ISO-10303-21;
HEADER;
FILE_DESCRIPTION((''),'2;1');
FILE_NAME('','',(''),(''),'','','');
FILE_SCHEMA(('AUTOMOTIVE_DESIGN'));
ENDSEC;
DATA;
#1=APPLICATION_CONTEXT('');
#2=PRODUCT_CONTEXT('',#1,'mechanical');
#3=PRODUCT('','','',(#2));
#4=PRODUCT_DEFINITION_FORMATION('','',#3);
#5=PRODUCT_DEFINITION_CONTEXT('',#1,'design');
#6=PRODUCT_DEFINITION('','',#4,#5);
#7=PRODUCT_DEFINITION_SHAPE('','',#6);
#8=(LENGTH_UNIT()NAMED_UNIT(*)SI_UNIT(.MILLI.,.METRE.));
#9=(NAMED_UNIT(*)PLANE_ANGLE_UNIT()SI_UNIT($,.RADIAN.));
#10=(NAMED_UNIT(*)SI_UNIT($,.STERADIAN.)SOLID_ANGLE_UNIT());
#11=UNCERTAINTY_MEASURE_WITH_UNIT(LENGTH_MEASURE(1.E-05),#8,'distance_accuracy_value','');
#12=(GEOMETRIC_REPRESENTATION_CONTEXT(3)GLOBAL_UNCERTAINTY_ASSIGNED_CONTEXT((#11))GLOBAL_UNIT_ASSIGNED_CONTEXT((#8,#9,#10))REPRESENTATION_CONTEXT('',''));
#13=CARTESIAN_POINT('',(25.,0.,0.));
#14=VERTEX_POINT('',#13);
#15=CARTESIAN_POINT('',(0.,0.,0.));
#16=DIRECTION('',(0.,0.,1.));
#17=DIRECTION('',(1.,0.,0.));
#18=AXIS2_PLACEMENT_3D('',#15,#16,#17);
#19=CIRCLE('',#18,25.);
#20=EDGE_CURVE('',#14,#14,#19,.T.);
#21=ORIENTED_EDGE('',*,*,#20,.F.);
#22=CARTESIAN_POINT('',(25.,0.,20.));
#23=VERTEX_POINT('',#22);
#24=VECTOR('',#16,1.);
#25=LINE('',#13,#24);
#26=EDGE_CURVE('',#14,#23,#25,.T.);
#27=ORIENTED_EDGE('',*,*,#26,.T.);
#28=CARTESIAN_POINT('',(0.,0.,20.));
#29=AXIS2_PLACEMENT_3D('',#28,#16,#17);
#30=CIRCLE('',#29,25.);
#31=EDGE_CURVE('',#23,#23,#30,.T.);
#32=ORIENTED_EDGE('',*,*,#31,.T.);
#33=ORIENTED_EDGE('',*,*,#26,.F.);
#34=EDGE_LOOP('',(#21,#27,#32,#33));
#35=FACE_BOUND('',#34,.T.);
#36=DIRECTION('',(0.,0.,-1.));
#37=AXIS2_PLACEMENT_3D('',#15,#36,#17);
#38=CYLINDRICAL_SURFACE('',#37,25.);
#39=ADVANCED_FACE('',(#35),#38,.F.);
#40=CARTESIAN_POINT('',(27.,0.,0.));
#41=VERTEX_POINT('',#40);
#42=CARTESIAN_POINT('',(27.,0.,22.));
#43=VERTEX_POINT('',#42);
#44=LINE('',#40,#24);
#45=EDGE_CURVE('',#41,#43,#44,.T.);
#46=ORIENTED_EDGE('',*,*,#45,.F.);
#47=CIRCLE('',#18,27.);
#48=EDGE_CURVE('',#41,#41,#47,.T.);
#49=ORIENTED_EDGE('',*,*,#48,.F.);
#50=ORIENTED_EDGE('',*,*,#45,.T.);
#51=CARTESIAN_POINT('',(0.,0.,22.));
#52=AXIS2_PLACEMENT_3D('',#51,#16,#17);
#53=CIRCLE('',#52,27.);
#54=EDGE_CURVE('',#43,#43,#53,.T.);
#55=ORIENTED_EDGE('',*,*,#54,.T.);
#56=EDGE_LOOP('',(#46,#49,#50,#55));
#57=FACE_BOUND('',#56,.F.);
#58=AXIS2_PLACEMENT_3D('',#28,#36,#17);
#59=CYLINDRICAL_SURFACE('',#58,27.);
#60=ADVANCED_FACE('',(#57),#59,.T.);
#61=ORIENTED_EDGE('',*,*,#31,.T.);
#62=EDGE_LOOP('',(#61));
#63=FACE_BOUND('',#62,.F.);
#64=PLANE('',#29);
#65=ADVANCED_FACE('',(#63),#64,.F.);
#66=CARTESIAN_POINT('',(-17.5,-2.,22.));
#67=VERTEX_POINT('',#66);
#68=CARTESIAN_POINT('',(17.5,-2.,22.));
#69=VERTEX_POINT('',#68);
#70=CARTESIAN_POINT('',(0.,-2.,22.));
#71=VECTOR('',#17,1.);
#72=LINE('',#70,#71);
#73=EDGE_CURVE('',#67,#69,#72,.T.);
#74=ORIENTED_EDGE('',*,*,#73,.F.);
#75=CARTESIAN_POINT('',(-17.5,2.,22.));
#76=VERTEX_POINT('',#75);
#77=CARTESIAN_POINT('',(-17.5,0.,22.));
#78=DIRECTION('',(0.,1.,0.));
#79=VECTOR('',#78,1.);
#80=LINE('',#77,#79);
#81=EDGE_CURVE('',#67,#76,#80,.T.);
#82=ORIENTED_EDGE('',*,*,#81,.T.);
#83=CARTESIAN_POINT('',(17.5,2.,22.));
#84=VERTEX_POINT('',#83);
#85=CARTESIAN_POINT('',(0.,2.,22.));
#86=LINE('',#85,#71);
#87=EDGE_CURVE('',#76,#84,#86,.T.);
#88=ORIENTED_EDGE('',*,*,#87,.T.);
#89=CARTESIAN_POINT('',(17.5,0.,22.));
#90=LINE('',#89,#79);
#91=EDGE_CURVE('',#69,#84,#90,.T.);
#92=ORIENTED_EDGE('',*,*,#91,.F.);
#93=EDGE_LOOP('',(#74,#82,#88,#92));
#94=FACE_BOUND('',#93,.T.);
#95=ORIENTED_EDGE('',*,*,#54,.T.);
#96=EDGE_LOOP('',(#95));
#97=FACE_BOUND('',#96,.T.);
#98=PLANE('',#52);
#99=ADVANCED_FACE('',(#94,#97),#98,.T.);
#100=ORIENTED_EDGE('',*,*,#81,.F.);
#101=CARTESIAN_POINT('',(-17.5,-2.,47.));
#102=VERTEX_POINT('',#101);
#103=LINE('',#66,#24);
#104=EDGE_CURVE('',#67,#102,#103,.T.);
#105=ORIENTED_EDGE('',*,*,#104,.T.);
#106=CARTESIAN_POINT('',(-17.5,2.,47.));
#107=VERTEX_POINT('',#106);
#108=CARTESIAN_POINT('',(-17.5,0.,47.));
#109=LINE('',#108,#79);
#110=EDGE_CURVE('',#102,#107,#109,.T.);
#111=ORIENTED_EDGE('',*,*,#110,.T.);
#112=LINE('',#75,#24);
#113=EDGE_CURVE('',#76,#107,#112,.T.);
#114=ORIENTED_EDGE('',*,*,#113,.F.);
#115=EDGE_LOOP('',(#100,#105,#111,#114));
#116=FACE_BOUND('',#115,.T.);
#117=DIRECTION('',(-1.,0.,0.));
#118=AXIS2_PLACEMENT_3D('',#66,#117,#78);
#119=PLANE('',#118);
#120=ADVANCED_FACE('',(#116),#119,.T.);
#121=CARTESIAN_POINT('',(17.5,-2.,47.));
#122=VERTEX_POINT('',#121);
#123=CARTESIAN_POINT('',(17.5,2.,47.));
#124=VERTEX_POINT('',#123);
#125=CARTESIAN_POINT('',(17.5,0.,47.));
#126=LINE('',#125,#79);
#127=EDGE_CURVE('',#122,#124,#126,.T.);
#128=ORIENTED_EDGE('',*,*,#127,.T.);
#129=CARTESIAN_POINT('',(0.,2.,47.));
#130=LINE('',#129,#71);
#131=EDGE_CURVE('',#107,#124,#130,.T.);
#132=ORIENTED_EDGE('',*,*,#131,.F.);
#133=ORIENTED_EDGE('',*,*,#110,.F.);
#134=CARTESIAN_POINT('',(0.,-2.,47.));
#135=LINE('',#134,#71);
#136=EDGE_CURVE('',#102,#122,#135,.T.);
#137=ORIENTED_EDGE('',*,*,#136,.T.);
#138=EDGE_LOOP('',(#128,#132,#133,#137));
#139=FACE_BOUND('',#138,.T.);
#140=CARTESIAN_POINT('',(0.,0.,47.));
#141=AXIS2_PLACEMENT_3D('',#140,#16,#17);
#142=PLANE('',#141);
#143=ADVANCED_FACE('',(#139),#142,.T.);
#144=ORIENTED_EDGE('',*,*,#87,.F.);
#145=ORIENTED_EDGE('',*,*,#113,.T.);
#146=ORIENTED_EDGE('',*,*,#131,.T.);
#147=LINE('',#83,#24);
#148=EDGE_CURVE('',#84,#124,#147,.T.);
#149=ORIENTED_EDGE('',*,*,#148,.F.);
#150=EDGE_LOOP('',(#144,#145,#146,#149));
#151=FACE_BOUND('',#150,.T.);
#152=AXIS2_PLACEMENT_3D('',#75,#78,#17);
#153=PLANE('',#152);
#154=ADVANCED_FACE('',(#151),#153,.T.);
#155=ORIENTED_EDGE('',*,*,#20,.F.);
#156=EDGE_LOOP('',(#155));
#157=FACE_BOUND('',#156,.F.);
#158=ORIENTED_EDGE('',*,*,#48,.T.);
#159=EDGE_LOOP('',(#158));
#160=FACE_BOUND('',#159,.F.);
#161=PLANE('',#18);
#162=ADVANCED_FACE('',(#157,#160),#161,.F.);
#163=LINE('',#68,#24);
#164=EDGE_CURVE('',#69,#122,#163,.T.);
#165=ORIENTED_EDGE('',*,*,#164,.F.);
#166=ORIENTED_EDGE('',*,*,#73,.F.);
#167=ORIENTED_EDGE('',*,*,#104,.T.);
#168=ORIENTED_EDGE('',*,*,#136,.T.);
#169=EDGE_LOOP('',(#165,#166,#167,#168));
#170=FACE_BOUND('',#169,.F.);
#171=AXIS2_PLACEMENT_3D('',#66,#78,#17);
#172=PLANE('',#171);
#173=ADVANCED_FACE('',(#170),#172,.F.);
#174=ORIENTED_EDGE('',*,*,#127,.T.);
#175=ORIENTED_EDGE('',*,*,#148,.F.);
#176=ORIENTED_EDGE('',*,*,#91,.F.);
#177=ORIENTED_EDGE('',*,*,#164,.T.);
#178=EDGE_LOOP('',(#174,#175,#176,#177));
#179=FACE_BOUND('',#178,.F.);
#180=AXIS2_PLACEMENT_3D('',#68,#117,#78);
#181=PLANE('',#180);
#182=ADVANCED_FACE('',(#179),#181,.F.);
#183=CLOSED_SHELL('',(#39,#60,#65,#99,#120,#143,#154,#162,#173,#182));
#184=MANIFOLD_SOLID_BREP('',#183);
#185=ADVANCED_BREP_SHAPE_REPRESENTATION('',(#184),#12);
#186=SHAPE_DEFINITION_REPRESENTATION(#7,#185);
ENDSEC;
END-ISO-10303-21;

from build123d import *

# Parameters (mm, degrees)
F0_R     = 27
F0_R_2   = 25
F1_DEPTH = 20
F2_R     = 27
F3_DEPTH = 2
F4_W     = 35
F4_H     = 4
F5_DEPTH = 25


with BuildPart() as f1:
    # F0 (on Top) → F1 (new body)
    with BuildSketch(Plane.XY):
        Circle(F0_R)
        Circle(F0_R_2, mode=Mode.SUBTRACT)
    extrude(amount=F1_DEPTH)

    # F2 (on face) → F3 (join)
    with BuildSketch(Plane.XY.offset(20)):
        Circle(F2_R)
    extrude(amount=F3_DEPTH)

    # F4 (on face) → F5 (join)
    with BuildSketch(Plane.XY.offset(22)):
        Rectangle(F4_W, F4_H)
    extrude(amount=F5_DEPTH)


solid = f1.part
